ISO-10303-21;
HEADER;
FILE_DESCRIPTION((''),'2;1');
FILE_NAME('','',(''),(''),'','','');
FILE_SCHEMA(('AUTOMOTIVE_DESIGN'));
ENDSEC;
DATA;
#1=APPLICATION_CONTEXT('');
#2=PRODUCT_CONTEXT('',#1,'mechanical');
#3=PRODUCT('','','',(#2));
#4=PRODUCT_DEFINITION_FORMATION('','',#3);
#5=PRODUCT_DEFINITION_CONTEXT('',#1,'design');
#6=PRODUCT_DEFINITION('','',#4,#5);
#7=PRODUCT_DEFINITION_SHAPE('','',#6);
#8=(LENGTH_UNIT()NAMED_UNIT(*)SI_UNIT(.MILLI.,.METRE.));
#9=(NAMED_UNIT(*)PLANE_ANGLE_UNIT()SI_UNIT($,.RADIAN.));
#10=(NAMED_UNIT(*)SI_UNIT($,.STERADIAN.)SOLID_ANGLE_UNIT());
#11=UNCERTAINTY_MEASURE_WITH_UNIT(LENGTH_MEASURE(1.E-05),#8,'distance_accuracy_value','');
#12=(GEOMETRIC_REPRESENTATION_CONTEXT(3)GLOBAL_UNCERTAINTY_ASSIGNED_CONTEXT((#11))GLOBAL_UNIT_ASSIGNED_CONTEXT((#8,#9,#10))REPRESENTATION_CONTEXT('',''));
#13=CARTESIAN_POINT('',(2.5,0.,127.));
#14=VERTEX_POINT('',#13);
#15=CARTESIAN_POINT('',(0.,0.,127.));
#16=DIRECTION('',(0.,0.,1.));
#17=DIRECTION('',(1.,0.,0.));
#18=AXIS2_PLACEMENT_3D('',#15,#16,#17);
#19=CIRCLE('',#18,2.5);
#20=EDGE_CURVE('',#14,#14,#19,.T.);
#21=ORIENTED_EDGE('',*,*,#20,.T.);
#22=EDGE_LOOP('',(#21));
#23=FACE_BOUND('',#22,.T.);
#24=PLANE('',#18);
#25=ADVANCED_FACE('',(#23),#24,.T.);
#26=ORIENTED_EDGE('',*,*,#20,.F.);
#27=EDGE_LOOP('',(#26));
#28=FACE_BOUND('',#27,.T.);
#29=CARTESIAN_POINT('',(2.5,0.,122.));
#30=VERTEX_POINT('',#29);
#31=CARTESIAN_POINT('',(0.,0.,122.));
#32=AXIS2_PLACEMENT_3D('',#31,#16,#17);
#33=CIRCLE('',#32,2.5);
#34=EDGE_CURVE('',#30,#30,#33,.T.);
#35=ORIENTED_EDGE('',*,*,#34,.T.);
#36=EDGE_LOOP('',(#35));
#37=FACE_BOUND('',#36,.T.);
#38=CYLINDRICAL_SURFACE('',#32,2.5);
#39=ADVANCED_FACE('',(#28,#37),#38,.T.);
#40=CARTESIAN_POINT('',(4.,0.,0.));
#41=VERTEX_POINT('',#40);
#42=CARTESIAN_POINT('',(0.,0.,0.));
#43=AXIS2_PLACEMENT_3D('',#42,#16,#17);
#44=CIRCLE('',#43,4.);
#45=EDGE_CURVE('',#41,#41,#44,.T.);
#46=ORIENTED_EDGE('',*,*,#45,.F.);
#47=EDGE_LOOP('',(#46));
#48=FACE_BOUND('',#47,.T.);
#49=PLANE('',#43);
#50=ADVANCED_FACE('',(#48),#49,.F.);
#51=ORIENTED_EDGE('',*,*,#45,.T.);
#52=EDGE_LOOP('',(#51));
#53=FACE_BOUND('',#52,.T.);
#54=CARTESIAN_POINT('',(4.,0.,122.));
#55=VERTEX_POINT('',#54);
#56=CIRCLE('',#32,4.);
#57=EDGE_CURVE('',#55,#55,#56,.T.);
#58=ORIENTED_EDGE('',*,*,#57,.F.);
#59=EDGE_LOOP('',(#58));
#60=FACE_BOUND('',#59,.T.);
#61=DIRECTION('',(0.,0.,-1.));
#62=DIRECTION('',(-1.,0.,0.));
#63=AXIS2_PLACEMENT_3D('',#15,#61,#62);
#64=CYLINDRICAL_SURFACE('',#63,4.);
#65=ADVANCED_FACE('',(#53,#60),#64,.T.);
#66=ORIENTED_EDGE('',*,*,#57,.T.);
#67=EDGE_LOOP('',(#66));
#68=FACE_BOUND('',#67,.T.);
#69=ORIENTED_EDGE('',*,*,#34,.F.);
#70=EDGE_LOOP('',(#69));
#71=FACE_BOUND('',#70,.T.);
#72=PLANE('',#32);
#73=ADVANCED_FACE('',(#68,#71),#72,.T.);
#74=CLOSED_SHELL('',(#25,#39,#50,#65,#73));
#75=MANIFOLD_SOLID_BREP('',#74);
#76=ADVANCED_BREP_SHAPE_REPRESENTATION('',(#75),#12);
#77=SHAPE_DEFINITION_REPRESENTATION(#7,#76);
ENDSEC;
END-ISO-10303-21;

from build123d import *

# Parameters (mm, degrees)
SKETCH_2_R          = 4
EXTRUDE_1_DEPTH     = 127
CUT_EXTRUDE_START   = -5
SKETCH_3_R          = 4
SKETCH_3_R_2        = 2.5
CUT_EXTRUDE_1_DEPTH = 5


with BuildPart() as part:
    # 草圖2 → 填料-伸長1 (new body)
    with BuildSketch(Plane.XY):
        Circle(SKETCH_2_R)
    extrude(amount=EXTRUDE_1_DEPTH)

    # 草圖3 → 除料-伸長1 (cut)
    with BuildSketch(Plane.XY.offset(127).offset(CUT_EXTRUDE_START)):
        Circle(SKETCH_3_R)
        Circle(SKETCH_3_R_2, mode=Mode.SUBTRACT)
    extrude(amount=CUT_EXTRUDE_1_DEPTH, mode=Mode.SUBTRACT)


solid = part.part
